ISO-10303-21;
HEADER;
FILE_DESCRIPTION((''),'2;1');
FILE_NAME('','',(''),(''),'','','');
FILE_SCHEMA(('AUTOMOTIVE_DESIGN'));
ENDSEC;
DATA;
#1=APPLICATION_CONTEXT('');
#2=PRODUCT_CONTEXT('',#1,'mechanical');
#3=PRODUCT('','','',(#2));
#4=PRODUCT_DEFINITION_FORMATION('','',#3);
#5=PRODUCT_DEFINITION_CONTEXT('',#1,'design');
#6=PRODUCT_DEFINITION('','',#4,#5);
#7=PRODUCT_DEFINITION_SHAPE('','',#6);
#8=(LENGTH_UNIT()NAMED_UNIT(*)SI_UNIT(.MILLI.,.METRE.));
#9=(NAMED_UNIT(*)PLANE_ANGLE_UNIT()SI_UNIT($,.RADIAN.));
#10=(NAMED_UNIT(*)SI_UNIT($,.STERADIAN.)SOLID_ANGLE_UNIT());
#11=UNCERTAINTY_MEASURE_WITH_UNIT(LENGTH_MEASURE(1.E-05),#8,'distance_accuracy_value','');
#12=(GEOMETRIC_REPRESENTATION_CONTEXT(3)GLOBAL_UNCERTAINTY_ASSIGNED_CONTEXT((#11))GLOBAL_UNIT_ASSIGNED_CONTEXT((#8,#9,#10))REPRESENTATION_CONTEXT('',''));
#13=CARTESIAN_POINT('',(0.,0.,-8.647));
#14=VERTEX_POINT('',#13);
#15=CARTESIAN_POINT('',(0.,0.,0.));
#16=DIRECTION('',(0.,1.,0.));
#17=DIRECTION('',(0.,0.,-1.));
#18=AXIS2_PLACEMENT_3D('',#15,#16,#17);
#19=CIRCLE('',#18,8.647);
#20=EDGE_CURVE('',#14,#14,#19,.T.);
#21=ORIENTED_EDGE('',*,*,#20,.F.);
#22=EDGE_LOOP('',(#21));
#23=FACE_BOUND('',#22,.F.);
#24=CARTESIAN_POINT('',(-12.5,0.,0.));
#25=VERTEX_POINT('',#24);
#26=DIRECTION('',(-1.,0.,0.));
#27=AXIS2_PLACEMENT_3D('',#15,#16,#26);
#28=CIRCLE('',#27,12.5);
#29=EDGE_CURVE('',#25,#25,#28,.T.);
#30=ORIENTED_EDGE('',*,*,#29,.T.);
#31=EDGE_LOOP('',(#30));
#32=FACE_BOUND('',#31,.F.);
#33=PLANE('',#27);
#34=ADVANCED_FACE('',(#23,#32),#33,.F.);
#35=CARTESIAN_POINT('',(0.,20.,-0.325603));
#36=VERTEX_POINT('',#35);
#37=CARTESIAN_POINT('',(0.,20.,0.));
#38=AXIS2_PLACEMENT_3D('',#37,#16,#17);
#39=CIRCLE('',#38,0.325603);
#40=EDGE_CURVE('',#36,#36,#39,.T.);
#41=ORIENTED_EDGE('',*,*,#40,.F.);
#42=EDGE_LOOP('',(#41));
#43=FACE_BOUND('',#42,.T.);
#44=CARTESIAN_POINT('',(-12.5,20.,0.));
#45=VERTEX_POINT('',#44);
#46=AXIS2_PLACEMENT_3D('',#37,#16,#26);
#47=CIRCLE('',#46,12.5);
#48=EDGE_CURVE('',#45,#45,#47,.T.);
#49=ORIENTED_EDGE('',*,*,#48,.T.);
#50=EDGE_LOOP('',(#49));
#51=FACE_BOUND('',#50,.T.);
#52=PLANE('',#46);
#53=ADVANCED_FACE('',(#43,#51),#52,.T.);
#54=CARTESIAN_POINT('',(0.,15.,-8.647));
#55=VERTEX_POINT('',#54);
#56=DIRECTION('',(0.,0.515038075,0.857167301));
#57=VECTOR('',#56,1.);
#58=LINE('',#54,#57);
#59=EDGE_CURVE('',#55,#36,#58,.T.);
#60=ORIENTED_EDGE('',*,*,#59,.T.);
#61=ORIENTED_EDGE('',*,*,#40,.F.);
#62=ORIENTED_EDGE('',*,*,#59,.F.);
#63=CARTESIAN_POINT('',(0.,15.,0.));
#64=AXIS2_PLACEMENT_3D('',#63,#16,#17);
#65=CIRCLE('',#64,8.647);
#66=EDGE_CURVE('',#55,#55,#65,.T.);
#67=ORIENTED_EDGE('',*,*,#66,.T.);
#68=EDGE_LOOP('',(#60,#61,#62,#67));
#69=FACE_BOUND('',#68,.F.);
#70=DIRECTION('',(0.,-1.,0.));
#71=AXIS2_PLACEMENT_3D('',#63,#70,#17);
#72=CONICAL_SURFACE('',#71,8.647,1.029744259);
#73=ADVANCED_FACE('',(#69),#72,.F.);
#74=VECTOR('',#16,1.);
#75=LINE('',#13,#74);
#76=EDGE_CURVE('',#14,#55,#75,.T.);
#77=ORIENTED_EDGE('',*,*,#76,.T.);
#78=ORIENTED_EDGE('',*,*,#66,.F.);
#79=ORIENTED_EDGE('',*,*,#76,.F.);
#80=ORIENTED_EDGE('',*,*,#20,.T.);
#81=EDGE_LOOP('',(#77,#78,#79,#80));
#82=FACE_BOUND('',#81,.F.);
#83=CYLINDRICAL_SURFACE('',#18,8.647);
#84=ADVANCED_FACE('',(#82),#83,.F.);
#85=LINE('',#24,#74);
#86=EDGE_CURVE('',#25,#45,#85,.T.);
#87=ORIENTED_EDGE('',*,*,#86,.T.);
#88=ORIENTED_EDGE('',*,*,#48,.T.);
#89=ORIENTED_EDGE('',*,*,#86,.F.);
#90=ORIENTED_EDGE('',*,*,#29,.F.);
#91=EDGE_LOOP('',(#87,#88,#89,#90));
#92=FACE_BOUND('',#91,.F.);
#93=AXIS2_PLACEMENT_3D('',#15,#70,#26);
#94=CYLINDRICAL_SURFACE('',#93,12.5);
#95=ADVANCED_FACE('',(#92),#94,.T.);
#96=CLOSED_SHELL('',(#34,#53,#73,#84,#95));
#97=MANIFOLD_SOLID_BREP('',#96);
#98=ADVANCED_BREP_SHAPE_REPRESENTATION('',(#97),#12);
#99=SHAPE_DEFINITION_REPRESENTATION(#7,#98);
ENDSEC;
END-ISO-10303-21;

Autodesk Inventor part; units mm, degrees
ref_plane "YZ Plane" through (0, 0, 0) normal (1, 0, 0) x (0, 1, 0)
ref_plane "XZ Plane" through (0, 0, 0) normal (0, 1, 0) x (-1, 0, 0)
ref_plane "XY Plane" through (0, 0, 0) normal (0, 0, 1) x (1, 0, 0)
sketch "Sketch1" plane through (0, 0, 0) normal (0, 1, 0) x (-1, 0, 0)
  circle A0 centre (0, 0) radius 12.5
  dimension "d0" = 25
extrude "Extrusion1" add sketch "Sketch1" along normal blind 20
sketch "Sketch3" plane through (0, 0, 0) normal (0, -1, 0) x (1, 0, 0)
  point P0 (0, 0)
  point P1 (0, 0)
hole "Hole1" at (0, 0, 0) direction (0, 1, 0) diameter 17.294 depth 15 tip angle 118 thread size "M20x2.5" class "6H" standard "ISO Metric profile"
properties part number "Exercise4b"
